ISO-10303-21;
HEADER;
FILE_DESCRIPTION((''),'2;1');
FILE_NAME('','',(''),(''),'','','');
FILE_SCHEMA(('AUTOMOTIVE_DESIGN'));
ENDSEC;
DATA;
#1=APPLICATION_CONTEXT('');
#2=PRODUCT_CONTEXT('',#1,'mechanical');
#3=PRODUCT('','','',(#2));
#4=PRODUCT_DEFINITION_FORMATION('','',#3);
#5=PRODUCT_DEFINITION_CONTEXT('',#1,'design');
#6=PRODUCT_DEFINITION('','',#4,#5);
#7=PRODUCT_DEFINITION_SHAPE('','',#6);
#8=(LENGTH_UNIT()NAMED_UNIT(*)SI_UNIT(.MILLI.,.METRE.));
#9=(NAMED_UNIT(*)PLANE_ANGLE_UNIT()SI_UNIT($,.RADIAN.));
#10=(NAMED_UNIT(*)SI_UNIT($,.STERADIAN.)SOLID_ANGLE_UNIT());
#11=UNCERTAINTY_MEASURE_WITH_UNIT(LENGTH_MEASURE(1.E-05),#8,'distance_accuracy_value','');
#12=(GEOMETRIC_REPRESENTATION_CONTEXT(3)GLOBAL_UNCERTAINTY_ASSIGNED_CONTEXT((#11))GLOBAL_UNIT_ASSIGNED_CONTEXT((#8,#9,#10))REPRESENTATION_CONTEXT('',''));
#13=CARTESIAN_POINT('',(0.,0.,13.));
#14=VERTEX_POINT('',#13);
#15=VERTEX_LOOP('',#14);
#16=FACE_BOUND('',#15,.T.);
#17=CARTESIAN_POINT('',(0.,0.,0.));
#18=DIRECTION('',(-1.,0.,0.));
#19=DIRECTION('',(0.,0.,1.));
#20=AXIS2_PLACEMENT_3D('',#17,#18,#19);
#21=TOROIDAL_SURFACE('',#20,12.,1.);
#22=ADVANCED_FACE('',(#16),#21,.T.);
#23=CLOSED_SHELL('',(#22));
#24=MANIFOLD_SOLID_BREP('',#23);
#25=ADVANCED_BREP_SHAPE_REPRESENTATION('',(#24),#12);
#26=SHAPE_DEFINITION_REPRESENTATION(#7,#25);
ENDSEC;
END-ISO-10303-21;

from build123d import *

# Parameters (mm, degrees)
SKETCH1_R = 1


with BuildPart() as part:
    # Sketch1 → Revolve1 (revolve)
    with BuildSketch(Plane.XY):
        with Locations((0, 12)):
            Circle(SKETCH1_R)
    revolve(axis=Axis((-22.628571429, 0, 0), (1, 0, 0)))


solid = part.part
